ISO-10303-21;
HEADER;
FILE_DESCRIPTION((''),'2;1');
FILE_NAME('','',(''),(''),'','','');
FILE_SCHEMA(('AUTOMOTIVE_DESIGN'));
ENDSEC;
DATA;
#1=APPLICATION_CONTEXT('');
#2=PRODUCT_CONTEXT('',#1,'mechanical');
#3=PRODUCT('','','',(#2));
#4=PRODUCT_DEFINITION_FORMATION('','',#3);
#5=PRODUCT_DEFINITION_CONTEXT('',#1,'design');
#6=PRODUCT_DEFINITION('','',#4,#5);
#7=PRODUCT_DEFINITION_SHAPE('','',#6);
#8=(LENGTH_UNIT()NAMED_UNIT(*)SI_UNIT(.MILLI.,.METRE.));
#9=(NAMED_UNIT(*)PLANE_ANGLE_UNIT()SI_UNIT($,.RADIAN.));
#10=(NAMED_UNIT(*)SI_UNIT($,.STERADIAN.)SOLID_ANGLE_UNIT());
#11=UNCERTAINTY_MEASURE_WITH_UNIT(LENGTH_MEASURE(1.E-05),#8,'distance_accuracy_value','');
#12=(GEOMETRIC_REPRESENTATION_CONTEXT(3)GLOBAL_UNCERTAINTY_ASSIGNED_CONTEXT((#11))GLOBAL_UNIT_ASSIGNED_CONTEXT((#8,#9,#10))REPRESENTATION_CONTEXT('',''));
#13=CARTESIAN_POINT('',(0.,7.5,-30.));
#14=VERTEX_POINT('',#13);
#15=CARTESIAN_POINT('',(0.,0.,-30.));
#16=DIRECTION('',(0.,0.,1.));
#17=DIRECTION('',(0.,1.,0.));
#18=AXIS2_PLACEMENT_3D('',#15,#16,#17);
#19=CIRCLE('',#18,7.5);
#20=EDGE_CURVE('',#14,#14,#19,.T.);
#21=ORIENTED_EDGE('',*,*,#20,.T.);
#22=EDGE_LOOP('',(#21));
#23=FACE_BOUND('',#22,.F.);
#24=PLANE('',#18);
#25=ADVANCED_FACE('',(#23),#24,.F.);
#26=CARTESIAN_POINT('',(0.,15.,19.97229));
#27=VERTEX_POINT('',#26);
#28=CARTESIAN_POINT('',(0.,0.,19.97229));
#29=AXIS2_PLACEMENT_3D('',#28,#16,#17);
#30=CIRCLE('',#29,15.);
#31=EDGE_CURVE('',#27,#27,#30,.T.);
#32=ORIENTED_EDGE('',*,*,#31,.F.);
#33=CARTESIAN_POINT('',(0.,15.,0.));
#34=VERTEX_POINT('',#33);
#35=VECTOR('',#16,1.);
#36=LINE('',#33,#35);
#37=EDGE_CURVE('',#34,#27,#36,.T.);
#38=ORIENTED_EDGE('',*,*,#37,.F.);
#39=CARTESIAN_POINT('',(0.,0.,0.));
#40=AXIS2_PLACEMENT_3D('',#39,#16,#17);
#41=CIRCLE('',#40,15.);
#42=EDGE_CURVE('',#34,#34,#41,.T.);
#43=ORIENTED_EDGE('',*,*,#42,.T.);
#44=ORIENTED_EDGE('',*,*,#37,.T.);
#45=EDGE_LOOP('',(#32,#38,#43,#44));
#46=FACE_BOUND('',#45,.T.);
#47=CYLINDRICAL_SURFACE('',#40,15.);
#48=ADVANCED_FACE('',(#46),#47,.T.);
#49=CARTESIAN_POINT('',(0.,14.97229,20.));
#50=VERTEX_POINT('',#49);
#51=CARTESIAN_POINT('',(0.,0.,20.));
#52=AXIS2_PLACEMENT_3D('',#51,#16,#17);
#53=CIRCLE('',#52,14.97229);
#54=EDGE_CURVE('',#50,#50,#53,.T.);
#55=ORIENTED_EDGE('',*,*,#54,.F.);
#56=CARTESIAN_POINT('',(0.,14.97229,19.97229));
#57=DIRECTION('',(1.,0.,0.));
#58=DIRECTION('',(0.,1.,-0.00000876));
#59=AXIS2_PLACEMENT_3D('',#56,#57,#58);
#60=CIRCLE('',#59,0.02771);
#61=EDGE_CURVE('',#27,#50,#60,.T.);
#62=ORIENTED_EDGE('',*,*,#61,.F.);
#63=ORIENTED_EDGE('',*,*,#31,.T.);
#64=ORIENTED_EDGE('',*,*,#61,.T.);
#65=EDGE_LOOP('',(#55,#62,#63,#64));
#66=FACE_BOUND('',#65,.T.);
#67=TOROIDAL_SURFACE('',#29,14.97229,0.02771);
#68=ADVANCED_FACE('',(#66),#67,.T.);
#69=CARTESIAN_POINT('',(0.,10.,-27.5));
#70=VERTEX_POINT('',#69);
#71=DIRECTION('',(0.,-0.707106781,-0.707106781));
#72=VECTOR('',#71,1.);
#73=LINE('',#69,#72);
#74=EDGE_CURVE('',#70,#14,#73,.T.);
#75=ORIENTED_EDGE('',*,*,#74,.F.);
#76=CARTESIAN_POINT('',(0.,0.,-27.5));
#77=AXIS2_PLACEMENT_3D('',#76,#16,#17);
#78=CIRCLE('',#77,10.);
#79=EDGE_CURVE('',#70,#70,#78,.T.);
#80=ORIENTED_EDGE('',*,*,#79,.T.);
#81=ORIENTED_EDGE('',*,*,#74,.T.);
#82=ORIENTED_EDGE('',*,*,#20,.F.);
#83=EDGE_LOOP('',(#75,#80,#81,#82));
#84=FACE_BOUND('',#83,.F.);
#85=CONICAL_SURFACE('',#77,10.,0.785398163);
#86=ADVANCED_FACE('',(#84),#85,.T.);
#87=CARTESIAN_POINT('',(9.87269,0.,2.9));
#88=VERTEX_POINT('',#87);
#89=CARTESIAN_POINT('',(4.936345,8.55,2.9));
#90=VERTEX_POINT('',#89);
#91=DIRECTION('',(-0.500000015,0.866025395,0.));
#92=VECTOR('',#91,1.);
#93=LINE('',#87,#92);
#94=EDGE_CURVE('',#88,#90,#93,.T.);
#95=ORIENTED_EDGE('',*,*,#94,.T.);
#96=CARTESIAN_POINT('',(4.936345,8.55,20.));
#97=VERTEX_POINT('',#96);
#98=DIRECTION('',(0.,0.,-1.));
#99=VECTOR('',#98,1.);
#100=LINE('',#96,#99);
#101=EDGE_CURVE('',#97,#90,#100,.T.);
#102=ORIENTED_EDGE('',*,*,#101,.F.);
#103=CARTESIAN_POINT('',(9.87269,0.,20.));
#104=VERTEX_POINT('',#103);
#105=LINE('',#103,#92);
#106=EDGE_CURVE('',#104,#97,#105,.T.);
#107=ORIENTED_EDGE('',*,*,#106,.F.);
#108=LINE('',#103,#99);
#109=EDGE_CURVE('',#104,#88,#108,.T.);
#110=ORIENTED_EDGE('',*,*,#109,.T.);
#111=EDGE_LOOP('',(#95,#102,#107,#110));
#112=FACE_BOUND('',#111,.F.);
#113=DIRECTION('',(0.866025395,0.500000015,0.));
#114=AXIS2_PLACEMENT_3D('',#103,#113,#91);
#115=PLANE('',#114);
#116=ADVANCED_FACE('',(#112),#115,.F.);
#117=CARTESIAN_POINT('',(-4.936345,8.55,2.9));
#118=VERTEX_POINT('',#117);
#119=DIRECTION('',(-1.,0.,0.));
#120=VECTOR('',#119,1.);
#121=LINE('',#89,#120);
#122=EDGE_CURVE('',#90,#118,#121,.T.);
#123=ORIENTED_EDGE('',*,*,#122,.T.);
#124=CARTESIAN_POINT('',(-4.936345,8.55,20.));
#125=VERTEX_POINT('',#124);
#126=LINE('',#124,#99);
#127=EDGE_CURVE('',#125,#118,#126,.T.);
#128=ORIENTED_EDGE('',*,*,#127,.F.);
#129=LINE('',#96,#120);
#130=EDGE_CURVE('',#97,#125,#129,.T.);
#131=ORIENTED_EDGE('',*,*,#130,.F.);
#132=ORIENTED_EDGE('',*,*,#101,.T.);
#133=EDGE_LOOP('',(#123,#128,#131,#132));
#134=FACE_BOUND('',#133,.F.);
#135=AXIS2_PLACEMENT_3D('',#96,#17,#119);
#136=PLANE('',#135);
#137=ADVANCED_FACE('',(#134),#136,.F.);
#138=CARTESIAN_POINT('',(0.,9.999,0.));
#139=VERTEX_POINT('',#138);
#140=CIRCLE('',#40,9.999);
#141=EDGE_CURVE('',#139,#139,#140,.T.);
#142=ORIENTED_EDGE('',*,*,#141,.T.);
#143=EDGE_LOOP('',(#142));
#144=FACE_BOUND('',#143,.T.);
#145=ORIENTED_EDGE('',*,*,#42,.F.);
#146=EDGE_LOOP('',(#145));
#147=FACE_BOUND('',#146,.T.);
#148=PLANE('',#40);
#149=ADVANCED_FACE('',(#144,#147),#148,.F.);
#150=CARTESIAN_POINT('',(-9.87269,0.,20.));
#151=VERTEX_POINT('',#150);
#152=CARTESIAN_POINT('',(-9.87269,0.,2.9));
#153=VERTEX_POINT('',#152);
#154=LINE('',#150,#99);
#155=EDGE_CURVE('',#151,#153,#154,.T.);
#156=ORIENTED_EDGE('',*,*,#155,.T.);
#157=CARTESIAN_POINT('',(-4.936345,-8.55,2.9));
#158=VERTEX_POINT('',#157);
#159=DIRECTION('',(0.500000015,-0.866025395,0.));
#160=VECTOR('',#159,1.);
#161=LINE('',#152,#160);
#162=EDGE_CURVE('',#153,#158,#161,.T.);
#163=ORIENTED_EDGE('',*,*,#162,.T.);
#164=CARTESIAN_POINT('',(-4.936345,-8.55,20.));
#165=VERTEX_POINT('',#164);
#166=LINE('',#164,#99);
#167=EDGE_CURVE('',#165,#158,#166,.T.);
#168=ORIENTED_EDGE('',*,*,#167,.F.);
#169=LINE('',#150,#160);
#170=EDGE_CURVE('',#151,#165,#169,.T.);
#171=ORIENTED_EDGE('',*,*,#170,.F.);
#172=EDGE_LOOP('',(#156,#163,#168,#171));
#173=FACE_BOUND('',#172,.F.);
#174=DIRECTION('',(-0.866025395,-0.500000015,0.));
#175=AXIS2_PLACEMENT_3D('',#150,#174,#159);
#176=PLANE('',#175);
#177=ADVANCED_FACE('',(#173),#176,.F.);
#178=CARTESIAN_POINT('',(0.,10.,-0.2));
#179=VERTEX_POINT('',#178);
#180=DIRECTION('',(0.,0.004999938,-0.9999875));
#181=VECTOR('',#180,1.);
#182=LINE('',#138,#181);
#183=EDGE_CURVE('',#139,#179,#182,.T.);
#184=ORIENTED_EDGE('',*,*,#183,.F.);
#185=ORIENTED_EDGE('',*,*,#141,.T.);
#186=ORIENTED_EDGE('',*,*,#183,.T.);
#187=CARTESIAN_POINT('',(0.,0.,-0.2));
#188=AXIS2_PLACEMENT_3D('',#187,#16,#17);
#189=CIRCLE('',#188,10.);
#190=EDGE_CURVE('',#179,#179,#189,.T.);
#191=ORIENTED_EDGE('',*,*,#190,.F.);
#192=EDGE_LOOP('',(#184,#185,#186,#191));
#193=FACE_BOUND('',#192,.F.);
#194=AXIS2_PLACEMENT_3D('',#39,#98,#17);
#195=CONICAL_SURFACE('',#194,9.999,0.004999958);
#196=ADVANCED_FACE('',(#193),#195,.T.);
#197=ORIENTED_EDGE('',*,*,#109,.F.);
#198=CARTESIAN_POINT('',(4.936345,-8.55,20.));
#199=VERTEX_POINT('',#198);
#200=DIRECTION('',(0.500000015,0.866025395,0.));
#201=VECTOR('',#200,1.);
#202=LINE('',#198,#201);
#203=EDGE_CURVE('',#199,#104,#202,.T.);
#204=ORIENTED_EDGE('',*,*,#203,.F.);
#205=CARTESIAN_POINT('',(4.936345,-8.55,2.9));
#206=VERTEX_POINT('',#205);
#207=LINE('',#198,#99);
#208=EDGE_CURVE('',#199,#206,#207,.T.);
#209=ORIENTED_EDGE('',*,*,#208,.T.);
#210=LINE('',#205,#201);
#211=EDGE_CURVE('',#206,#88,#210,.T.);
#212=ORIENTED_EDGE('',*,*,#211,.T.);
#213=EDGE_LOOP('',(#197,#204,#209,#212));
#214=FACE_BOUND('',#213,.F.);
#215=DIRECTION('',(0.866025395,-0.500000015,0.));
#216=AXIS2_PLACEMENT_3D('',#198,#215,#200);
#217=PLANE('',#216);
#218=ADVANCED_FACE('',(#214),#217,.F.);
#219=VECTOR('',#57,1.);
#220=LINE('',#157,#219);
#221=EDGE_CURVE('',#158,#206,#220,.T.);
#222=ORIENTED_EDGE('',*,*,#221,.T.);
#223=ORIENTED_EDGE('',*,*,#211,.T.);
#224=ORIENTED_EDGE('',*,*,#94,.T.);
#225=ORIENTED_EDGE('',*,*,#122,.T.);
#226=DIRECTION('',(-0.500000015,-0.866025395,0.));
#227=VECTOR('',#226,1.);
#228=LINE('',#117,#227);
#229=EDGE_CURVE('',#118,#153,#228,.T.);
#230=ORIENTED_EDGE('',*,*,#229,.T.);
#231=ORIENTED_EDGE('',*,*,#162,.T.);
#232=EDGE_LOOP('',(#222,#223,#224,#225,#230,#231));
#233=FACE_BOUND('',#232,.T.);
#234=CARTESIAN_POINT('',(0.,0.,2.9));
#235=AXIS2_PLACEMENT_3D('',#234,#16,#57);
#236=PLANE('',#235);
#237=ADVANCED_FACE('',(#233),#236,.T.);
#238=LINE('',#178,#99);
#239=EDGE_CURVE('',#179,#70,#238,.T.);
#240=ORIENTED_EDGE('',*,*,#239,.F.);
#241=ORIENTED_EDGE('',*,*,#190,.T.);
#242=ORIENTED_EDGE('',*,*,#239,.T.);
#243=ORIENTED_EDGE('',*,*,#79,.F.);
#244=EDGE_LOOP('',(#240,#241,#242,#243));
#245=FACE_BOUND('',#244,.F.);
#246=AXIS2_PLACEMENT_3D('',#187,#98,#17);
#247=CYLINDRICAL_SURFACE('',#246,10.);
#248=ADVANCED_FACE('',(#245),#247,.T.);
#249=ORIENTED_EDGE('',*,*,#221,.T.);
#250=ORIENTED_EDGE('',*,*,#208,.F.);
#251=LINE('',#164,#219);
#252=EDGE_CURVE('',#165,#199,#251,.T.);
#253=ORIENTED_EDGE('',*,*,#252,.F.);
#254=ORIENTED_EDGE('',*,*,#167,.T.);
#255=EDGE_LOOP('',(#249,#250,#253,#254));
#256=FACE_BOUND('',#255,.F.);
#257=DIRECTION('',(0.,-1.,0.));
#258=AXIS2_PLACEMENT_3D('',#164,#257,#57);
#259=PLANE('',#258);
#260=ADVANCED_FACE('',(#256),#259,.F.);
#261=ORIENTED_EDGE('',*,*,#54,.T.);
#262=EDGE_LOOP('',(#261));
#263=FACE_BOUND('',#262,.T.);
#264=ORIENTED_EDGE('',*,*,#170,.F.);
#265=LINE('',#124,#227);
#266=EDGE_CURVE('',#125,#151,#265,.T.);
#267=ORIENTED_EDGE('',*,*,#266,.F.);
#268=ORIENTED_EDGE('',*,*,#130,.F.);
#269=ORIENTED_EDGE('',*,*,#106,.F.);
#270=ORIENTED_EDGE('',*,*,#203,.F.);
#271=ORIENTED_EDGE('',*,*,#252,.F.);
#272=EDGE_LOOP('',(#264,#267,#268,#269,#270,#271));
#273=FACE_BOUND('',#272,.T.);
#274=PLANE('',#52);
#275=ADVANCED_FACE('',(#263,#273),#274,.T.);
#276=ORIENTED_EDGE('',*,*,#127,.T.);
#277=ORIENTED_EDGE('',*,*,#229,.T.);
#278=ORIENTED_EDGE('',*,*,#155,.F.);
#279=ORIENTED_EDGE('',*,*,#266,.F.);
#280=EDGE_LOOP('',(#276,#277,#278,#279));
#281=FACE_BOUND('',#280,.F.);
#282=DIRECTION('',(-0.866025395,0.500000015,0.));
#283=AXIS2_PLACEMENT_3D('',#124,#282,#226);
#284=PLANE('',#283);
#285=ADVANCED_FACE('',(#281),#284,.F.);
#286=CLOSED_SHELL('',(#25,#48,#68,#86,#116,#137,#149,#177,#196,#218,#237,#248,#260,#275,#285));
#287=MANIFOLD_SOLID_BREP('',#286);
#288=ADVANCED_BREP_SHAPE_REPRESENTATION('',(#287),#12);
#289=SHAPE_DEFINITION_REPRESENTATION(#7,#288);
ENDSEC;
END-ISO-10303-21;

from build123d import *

# Parameters (mm, degrees)
POCKET_DEPTH = 17.1


with BuildPart() as part:
    # Sketch → Revolve (revolve)
    with BuildSketch(Plane.YZ):
        with BuildLine():
            Line((9.999, 0), (15, 0))
            Line((15, 0), (15, 19.97229))
            ThreePointArc((15, 19.97229), (14.991884, 19.991884), (14.97229, 20))
            Line((14.97229, 20), (0, 20))
            Line((0, -30), (0, 20))
            Line((7.5, -30), (0, -30))
            Line((10, -27.5), (7.5, -30))
            Line((10, -0.2), (10, -27.5))
            Line((9.999, 0), (10, -0.2))
        make_face()
    revolve(axis=Axis((0, 0, 0), (0, 0, 1)))

    # Sketch001 → Pocket (cut)
    with BuildSketch(Plane.XY.offset(20)):
        Polygon((9.87269, 0), (4.936345, 8.55), (-4.936345, 8.55), (-9.87269, 0), (-4.936345, -8.55), (4.936345, -8.55), align=None)
    extrude(amount=-POCKET_DEPTH, mode=Mode.SUBTRACT)


solid = part.part
